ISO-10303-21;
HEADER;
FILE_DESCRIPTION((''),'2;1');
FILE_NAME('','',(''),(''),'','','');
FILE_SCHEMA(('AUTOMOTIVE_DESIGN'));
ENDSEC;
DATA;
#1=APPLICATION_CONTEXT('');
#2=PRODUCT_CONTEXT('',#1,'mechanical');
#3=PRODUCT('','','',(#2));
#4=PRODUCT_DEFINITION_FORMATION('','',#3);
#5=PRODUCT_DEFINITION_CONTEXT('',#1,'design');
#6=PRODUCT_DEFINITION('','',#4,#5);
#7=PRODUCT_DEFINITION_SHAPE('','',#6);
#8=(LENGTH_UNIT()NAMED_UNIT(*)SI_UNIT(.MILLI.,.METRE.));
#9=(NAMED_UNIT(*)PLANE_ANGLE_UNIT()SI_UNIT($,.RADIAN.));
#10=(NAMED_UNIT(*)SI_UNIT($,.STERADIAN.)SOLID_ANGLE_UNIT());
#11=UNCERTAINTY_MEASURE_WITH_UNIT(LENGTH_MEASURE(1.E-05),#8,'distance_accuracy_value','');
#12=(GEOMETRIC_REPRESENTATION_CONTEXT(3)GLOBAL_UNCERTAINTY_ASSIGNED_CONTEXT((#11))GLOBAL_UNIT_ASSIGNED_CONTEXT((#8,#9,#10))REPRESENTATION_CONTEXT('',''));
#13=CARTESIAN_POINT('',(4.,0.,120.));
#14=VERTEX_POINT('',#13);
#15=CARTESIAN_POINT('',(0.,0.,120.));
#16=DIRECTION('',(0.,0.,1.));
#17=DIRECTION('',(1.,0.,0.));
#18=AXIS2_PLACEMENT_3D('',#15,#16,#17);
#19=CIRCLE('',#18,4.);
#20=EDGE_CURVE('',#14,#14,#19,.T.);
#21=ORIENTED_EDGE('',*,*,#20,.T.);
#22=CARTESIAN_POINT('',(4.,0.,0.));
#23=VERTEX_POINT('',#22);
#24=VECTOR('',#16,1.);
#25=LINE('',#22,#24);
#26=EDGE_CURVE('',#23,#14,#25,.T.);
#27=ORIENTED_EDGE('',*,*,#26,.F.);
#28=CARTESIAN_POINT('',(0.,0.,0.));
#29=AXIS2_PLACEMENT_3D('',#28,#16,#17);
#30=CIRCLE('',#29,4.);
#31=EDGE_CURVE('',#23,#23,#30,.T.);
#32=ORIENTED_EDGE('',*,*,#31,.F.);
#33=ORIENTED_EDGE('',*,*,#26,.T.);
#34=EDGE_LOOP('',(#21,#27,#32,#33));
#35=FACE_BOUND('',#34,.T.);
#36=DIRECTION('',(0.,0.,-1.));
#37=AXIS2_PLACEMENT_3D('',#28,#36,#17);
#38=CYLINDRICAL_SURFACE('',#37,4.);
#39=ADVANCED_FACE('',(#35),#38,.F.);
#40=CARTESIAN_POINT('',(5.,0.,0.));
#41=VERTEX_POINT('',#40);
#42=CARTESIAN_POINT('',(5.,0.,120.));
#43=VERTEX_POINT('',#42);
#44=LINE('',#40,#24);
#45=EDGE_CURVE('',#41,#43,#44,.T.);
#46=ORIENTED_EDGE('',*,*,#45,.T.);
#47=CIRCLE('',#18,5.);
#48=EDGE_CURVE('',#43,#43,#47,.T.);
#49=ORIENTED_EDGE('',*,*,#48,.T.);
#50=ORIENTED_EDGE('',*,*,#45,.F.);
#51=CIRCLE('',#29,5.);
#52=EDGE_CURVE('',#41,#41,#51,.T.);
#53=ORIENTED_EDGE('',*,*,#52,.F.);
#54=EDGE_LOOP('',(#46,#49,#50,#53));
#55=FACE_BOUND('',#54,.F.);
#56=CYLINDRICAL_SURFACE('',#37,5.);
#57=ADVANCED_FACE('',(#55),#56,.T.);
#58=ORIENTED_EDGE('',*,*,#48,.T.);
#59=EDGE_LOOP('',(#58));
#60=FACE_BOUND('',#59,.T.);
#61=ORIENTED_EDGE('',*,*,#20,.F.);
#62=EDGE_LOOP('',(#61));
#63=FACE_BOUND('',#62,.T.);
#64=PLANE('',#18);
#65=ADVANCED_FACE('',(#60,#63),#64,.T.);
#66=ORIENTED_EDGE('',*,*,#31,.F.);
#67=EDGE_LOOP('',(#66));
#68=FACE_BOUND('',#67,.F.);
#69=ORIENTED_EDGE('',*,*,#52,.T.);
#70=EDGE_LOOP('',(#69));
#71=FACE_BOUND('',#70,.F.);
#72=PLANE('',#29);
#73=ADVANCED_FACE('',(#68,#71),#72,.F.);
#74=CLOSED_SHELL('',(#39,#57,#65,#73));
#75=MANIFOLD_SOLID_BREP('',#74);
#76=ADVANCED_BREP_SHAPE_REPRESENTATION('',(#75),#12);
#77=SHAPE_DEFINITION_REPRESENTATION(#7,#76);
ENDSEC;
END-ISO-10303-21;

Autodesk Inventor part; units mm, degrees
ref_plane "YZ Plane" through (0, 0, 0) normal (1, 0, 0) x (0, 1, 0)
ref_plane "XZ Plane" through (0, 0, 0) normal (0, 1, 0) x (-1, 0, 0)
ref_plane "XY Plane" through (0, 0, 0) normal (0, 0, 1) x (1, 0, 0)
sketch "Sketch1" plane through (0, 0, 0) normal (0, 0, 1) x (1, 0, 0)
  circle A0 centre (0, 0) radius 5
  circle A1 centre (0, 0) radius 4
  dimension "d0" = 10
  dimension "d1" = 1
extrude "Extrusion1" add sketch "Sketch1" along normal blind 120
properties part number "MNT-CDF-502 tube" material "Stainless Steel"
